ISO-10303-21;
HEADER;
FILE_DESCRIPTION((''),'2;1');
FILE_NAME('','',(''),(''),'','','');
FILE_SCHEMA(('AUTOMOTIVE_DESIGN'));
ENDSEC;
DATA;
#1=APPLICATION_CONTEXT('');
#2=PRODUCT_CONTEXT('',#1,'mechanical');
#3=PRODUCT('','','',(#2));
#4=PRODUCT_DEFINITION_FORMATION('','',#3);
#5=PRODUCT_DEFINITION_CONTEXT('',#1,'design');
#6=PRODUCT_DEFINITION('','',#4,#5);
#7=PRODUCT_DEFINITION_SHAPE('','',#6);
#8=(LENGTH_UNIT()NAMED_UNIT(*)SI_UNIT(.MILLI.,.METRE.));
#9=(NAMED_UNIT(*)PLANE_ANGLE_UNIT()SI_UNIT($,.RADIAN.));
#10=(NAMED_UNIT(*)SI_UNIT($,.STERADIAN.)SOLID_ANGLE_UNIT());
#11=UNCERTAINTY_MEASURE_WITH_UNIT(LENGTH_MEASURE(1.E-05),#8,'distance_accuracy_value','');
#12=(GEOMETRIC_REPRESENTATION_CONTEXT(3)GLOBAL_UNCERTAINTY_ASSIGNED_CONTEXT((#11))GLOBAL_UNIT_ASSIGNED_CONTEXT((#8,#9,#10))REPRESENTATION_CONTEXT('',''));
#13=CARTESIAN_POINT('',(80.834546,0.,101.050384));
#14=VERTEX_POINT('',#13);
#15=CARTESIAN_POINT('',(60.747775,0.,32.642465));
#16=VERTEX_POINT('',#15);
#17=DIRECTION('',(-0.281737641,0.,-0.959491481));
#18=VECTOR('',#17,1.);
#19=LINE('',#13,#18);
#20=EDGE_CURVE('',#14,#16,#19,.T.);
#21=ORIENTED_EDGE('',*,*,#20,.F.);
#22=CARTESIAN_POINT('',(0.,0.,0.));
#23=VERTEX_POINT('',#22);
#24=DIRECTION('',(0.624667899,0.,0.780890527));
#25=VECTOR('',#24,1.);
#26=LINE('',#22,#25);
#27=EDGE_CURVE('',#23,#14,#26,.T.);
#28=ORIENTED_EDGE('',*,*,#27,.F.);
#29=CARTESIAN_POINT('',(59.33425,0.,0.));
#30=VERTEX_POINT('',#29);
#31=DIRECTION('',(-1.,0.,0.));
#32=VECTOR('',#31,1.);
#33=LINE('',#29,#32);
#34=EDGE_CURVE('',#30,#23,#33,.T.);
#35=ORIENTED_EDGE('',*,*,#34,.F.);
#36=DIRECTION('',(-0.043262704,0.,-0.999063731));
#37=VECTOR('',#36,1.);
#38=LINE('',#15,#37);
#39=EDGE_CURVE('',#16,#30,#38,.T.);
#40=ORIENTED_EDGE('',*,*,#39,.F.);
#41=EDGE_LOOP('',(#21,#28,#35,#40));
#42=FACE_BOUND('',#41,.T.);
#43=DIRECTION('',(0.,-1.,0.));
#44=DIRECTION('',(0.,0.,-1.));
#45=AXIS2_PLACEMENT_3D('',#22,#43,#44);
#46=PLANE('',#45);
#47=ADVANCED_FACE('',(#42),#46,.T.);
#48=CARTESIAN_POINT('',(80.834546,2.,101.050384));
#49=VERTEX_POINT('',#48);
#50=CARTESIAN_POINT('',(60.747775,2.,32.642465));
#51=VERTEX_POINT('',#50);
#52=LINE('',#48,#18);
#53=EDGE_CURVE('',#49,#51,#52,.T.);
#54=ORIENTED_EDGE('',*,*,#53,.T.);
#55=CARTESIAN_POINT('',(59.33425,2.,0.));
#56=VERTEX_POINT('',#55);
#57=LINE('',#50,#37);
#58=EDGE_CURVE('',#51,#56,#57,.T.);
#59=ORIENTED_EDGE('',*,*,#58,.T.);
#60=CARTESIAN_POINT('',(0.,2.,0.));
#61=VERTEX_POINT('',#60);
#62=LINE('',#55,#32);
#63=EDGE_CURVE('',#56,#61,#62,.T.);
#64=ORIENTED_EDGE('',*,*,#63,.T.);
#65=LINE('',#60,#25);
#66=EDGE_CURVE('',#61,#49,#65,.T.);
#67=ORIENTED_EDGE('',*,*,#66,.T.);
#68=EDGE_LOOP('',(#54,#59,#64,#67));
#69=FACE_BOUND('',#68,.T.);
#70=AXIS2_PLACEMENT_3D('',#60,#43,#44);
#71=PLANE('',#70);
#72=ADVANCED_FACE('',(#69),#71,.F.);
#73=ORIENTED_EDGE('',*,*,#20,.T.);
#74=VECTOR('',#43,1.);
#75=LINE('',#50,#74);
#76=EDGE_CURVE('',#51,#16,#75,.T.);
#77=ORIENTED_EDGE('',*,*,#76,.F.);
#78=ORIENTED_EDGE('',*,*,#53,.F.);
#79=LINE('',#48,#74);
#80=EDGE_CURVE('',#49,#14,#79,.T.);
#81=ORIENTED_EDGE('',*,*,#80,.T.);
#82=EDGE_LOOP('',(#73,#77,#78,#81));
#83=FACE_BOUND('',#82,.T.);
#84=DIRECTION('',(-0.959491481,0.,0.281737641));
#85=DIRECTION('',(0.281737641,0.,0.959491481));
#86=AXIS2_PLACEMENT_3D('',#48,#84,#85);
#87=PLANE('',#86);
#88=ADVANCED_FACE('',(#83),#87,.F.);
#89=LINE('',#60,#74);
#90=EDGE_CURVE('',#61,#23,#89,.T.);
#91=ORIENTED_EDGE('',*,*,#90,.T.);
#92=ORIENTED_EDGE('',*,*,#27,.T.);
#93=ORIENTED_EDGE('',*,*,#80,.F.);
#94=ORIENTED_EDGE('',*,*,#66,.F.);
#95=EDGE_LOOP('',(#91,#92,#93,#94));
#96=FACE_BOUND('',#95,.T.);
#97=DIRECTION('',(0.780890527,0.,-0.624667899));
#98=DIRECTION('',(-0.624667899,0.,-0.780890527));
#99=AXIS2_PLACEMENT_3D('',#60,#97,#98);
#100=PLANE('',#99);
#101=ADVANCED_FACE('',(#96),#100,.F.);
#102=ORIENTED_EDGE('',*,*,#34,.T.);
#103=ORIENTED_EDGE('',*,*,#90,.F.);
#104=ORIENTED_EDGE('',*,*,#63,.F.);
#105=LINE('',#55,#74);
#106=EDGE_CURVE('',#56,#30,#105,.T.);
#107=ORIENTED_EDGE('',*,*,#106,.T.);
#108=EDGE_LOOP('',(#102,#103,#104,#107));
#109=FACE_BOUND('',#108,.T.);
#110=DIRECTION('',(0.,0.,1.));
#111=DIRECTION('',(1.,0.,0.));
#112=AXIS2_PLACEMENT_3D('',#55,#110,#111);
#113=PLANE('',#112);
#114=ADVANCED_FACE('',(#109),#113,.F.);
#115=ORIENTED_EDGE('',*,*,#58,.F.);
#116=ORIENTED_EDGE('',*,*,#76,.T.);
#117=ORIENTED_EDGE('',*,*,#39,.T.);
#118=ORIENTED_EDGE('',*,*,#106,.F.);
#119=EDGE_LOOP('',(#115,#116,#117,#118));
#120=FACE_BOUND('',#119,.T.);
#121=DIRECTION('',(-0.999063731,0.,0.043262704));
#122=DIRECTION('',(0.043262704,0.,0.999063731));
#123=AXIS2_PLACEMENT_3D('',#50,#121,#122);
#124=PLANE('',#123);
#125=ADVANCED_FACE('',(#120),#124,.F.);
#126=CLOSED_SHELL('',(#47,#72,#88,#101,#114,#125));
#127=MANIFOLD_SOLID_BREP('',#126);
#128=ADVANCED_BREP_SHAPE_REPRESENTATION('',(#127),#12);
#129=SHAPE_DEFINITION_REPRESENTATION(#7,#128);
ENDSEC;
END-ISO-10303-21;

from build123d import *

# Parameters (mm, degrees)
BOSS_EXTRU_1_DEPTH = 2


with BuildPart() as part:
    # Esquisse1 → Boss.-Extru.1 (new body)
    with BuildSketch(Plane(origin=(0, 0, 0), x_dir=(1, 0, 0), z_dir=(0, 1, 0))):
        Polygon((0, 0), (80.834545874, -101.050384073), (60.747774825, -32.642465135), (59.334250083, 0), align=None)
    extrude(amount=BOSS_EXTRU_1_DEPTH)


solid = part.part
